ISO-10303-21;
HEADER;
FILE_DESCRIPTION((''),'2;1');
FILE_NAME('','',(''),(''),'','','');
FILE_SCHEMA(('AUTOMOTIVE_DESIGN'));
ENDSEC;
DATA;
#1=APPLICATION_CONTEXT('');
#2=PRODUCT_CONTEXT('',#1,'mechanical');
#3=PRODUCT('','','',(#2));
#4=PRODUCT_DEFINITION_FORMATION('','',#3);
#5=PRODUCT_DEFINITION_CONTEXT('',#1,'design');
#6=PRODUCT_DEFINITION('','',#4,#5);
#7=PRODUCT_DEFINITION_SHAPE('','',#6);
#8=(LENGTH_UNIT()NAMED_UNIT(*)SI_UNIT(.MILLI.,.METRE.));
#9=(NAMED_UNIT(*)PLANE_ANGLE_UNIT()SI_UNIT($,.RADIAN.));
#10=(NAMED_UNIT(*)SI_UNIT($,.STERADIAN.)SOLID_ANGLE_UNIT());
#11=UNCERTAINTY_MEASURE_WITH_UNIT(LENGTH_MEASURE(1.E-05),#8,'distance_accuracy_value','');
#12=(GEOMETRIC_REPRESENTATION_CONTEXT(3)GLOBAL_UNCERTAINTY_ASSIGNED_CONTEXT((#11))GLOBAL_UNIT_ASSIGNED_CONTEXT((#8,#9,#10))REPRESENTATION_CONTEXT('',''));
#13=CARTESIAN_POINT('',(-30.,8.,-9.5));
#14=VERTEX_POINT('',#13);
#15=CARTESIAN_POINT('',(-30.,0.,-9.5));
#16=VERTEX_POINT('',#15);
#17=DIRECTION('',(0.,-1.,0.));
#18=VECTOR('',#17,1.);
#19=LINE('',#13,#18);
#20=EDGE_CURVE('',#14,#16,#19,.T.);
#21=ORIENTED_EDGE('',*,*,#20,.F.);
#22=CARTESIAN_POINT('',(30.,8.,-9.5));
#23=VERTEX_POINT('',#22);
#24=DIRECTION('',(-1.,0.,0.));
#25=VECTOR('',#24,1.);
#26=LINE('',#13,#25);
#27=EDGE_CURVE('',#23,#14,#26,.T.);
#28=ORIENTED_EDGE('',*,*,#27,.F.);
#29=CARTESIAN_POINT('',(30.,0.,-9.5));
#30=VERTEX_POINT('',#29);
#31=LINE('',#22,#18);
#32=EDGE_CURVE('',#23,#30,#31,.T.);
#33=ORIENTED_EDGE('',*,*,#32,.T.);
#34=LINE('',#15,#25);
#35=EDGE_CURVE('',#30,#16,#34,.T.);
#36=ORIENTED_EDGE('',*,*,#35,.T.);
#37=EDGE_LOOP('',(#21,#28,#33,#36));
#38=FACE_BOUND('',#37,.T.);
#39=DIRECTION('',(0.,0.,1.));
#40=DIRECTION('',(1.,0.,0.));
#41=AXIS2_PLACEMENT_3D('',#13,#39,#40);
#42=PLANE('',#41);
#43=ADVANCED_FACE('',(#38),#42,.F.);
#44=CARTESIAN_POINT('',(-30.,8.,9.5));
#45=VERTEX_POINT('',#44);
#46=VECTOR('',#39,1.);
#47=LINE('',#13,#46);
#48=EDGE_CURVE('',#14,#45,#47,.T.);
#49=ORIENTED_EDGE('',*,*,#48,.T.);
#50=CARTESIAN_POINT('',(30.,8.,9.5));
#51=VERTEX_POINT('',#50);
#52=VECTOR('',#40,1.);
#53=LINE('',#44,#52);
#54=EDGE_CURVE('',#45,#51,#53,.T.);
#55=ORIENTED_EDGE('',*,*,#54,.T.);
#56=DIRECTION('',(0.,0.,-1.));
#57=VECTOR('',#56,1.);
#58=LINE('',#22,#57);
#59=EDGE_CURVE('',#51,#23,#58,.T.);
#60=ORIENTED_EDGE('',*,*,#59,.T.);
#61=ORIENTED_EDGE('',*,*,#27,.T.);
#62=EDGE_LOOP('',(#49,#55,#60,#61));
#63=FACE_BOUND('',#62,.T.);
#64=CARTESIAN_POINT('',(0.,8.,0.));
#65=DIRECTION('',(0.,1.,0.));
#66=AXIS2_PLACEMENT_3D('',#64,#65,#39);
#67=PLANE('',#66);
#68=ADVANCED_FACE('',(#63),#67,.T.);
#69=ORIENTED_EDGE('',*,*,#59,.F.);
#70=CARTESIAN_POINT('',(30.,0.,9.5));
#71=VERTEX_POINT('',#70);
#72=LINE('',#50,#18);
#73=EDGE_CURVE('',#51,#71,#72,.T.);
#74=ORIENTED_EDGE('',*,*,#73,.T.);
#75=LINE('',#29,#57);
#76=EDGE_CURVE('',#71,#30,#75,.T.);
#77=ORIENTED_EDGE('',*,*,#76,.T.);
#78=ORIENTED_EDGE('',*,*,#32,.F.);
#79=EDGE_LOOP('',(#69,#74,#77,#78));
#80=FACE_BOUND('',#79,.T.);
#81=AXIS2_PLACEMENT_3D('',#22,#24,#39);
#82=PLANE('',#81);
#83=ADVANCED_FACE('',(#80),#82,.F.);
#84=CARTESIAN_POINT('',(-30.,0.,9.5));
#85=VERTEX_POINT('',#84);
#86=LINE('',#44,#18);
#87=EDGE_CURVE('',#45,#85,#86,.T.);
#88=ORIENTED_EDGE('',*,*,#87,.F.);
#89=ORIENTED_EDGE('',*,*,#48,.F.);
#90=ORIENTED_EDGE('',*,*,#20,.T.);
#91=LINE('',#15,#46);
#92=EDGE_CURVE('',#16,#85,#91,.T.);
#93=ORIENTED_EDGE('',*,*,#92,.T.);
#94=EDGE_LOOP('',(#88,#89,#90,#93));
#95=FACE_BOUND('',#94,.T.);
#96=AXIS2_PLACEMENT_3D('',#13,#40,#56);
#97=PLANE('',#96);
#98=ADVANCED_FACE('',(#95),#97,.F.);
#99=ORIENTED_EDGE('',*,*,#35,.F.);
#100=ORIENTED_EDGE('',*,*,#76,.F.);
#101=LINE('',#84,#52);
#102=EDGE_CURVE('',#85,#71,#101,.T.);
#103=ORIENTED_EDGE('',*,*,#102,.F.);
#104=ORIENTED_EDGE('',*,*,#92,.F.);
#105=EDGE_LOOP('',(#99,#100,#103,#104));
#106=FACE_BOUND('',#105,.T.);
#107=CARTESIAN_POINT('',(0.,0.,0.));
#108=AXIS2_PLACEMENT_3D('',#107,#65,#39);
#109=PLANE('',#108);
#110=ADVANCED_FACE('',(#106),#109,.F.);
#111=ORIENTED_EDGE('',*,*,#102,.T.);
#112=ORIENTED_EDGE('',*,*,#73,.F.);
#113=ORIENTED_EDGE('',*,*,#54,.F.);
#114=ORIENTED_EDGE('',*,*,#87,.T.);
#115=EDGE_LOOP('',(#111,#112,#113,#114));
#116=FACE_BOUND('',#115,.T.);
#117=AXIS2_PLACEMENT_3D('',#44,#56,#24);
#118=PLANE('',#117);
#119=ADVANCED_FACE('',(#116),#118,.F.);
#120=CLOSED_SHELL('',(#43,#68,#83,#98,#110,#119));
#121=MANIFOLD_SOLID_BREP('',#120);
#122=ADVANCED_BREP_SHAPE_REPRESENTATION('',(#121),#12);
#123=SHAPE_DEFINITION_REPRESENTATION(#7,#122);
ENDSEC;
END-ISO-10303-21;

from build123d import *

# Parameters (mm, degrees)
SKETCH1_W           = 60
SKETCH1_H           = 19
BOSS_EXTRUDE1_DEPTH = 8


with BuildPart() as part:
    # Sketch1 → Boss-Extrude1 (new body)
    with BuildSketch(Plane(origin=(0, 0, 0), x_dir=(1, 0, 0), z_dir=(0, 1, 0))):
        Rectangle(SKETCH1_W, SKETCH1_H)
    extrude(amount=BOSS_EXTRUDE1_DEPTH)


solid = part.part
